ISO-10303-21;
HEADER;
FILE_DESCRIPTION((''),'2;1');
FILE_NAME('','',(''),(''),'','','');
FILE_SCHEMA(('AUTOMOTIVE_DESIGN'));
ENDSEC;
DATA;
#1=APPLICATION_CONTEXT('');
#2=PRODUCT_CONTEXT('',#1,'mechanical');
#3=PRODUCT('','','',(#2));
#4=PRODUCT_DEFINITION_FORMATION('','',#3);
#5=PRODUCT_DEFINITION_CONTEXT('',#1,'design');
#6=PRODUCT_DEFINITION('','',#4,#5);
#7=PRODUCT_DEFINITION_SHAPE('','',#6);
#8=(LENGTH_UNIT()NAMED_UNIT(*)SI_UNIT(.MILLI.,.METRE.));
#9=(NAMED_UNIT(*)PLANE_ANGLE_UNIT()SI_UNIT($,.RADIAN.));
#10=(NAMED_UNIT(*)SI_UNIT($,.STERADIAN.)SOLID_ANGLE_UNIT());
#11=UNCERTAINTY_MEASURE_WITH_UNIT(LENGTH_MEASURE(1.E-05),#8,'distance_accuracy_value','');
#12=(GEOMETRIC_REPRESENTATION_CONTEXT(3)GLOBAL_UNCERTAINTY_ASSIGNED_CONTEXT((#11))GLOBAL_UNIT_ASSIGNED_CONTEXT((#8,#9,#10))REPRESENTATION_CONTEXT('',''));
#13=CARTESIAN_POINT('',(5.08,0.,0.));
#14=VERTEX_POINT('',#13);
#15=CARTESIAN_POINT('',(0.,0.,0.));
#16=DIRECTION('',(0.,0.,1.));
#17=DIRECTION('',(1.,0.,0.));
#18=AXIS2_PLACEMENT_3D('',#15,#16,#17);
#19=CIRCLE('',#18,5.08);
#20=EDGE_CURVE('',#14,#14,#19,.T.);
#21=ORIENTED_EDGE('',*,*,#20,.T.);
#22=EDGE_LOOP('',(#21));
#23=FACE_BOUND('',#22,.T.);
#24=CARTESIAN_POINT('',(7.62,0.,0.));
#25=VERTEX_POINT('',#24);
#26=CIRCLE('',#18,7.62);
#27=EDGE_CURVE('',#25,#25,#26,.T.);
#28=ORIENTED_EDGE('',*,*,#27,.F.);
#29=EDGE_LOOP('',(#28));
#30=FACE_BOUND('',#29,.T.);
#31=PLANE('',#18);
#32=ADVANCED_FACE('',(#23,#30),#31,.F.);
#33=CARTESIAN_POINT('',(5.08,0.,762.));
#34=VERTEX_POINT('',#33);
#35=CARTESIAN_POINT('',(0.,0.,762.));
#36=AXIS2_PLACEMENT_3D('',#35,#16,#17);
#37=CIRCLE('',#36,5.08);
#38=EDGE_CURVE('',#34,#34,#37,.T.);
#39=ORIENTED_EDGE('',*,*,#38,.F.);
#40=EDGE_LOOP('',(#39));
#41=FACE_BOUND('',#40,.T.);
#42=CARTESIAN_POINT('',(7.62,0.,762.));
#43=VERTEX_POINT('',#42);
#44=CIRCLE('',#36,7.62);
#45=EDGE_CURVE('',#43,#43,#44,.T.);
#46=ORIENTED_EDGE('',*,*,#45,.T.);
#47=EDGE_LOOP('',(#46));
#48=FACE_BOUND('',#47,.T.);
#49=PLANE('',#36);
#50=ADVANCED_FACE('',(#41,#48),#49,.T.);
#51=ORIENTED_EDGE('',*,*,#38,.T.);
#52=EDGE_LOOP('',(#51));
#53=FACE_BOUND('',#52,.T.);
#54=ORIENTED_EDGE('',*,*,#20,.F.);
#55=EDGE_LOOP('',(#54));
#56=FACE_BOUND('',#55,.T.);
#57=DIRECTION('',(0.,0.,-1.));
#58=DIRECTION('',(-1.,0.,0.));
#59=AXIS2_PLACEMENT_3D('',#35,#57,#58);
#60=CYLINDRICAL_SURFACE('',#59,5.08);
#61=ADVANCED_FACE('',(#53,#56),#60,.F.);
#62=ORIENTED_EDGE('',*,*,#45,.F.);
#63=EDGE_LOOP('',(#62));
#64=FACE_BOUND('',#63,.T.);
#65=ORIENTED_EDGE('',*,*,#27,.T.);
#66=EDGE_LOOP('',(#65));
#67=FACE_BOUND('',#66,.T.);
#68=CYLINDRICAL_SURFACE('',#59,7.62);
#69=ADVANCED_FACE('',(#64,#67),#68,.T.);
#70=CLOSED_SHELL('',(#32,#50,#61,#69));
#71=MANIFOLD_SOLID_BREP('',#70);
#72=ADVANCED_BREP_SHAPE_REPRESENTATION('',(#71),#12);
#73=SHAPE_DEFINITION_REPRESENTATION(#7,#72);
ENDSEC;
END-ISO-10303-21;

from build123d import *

# Parameters (mm, degrees)
SKETCH1_R           = 7.62
SKETCH1_R_2         = 5.08
BOSS_EXTRUDE1_DEPTH = 762


with BuildPart() as part:
    # Sketch1 → Boss-Extrude1 (new body)
    with BuildSketch(Plane.XY):
        Circle(SKETCH1_R)
        Circle(SKETCH1_R_2, mode=Mode.SUBTRACT)
    extrude(amount=BOSS_EXTRUDE1_DEPTH)


solid = part.part
